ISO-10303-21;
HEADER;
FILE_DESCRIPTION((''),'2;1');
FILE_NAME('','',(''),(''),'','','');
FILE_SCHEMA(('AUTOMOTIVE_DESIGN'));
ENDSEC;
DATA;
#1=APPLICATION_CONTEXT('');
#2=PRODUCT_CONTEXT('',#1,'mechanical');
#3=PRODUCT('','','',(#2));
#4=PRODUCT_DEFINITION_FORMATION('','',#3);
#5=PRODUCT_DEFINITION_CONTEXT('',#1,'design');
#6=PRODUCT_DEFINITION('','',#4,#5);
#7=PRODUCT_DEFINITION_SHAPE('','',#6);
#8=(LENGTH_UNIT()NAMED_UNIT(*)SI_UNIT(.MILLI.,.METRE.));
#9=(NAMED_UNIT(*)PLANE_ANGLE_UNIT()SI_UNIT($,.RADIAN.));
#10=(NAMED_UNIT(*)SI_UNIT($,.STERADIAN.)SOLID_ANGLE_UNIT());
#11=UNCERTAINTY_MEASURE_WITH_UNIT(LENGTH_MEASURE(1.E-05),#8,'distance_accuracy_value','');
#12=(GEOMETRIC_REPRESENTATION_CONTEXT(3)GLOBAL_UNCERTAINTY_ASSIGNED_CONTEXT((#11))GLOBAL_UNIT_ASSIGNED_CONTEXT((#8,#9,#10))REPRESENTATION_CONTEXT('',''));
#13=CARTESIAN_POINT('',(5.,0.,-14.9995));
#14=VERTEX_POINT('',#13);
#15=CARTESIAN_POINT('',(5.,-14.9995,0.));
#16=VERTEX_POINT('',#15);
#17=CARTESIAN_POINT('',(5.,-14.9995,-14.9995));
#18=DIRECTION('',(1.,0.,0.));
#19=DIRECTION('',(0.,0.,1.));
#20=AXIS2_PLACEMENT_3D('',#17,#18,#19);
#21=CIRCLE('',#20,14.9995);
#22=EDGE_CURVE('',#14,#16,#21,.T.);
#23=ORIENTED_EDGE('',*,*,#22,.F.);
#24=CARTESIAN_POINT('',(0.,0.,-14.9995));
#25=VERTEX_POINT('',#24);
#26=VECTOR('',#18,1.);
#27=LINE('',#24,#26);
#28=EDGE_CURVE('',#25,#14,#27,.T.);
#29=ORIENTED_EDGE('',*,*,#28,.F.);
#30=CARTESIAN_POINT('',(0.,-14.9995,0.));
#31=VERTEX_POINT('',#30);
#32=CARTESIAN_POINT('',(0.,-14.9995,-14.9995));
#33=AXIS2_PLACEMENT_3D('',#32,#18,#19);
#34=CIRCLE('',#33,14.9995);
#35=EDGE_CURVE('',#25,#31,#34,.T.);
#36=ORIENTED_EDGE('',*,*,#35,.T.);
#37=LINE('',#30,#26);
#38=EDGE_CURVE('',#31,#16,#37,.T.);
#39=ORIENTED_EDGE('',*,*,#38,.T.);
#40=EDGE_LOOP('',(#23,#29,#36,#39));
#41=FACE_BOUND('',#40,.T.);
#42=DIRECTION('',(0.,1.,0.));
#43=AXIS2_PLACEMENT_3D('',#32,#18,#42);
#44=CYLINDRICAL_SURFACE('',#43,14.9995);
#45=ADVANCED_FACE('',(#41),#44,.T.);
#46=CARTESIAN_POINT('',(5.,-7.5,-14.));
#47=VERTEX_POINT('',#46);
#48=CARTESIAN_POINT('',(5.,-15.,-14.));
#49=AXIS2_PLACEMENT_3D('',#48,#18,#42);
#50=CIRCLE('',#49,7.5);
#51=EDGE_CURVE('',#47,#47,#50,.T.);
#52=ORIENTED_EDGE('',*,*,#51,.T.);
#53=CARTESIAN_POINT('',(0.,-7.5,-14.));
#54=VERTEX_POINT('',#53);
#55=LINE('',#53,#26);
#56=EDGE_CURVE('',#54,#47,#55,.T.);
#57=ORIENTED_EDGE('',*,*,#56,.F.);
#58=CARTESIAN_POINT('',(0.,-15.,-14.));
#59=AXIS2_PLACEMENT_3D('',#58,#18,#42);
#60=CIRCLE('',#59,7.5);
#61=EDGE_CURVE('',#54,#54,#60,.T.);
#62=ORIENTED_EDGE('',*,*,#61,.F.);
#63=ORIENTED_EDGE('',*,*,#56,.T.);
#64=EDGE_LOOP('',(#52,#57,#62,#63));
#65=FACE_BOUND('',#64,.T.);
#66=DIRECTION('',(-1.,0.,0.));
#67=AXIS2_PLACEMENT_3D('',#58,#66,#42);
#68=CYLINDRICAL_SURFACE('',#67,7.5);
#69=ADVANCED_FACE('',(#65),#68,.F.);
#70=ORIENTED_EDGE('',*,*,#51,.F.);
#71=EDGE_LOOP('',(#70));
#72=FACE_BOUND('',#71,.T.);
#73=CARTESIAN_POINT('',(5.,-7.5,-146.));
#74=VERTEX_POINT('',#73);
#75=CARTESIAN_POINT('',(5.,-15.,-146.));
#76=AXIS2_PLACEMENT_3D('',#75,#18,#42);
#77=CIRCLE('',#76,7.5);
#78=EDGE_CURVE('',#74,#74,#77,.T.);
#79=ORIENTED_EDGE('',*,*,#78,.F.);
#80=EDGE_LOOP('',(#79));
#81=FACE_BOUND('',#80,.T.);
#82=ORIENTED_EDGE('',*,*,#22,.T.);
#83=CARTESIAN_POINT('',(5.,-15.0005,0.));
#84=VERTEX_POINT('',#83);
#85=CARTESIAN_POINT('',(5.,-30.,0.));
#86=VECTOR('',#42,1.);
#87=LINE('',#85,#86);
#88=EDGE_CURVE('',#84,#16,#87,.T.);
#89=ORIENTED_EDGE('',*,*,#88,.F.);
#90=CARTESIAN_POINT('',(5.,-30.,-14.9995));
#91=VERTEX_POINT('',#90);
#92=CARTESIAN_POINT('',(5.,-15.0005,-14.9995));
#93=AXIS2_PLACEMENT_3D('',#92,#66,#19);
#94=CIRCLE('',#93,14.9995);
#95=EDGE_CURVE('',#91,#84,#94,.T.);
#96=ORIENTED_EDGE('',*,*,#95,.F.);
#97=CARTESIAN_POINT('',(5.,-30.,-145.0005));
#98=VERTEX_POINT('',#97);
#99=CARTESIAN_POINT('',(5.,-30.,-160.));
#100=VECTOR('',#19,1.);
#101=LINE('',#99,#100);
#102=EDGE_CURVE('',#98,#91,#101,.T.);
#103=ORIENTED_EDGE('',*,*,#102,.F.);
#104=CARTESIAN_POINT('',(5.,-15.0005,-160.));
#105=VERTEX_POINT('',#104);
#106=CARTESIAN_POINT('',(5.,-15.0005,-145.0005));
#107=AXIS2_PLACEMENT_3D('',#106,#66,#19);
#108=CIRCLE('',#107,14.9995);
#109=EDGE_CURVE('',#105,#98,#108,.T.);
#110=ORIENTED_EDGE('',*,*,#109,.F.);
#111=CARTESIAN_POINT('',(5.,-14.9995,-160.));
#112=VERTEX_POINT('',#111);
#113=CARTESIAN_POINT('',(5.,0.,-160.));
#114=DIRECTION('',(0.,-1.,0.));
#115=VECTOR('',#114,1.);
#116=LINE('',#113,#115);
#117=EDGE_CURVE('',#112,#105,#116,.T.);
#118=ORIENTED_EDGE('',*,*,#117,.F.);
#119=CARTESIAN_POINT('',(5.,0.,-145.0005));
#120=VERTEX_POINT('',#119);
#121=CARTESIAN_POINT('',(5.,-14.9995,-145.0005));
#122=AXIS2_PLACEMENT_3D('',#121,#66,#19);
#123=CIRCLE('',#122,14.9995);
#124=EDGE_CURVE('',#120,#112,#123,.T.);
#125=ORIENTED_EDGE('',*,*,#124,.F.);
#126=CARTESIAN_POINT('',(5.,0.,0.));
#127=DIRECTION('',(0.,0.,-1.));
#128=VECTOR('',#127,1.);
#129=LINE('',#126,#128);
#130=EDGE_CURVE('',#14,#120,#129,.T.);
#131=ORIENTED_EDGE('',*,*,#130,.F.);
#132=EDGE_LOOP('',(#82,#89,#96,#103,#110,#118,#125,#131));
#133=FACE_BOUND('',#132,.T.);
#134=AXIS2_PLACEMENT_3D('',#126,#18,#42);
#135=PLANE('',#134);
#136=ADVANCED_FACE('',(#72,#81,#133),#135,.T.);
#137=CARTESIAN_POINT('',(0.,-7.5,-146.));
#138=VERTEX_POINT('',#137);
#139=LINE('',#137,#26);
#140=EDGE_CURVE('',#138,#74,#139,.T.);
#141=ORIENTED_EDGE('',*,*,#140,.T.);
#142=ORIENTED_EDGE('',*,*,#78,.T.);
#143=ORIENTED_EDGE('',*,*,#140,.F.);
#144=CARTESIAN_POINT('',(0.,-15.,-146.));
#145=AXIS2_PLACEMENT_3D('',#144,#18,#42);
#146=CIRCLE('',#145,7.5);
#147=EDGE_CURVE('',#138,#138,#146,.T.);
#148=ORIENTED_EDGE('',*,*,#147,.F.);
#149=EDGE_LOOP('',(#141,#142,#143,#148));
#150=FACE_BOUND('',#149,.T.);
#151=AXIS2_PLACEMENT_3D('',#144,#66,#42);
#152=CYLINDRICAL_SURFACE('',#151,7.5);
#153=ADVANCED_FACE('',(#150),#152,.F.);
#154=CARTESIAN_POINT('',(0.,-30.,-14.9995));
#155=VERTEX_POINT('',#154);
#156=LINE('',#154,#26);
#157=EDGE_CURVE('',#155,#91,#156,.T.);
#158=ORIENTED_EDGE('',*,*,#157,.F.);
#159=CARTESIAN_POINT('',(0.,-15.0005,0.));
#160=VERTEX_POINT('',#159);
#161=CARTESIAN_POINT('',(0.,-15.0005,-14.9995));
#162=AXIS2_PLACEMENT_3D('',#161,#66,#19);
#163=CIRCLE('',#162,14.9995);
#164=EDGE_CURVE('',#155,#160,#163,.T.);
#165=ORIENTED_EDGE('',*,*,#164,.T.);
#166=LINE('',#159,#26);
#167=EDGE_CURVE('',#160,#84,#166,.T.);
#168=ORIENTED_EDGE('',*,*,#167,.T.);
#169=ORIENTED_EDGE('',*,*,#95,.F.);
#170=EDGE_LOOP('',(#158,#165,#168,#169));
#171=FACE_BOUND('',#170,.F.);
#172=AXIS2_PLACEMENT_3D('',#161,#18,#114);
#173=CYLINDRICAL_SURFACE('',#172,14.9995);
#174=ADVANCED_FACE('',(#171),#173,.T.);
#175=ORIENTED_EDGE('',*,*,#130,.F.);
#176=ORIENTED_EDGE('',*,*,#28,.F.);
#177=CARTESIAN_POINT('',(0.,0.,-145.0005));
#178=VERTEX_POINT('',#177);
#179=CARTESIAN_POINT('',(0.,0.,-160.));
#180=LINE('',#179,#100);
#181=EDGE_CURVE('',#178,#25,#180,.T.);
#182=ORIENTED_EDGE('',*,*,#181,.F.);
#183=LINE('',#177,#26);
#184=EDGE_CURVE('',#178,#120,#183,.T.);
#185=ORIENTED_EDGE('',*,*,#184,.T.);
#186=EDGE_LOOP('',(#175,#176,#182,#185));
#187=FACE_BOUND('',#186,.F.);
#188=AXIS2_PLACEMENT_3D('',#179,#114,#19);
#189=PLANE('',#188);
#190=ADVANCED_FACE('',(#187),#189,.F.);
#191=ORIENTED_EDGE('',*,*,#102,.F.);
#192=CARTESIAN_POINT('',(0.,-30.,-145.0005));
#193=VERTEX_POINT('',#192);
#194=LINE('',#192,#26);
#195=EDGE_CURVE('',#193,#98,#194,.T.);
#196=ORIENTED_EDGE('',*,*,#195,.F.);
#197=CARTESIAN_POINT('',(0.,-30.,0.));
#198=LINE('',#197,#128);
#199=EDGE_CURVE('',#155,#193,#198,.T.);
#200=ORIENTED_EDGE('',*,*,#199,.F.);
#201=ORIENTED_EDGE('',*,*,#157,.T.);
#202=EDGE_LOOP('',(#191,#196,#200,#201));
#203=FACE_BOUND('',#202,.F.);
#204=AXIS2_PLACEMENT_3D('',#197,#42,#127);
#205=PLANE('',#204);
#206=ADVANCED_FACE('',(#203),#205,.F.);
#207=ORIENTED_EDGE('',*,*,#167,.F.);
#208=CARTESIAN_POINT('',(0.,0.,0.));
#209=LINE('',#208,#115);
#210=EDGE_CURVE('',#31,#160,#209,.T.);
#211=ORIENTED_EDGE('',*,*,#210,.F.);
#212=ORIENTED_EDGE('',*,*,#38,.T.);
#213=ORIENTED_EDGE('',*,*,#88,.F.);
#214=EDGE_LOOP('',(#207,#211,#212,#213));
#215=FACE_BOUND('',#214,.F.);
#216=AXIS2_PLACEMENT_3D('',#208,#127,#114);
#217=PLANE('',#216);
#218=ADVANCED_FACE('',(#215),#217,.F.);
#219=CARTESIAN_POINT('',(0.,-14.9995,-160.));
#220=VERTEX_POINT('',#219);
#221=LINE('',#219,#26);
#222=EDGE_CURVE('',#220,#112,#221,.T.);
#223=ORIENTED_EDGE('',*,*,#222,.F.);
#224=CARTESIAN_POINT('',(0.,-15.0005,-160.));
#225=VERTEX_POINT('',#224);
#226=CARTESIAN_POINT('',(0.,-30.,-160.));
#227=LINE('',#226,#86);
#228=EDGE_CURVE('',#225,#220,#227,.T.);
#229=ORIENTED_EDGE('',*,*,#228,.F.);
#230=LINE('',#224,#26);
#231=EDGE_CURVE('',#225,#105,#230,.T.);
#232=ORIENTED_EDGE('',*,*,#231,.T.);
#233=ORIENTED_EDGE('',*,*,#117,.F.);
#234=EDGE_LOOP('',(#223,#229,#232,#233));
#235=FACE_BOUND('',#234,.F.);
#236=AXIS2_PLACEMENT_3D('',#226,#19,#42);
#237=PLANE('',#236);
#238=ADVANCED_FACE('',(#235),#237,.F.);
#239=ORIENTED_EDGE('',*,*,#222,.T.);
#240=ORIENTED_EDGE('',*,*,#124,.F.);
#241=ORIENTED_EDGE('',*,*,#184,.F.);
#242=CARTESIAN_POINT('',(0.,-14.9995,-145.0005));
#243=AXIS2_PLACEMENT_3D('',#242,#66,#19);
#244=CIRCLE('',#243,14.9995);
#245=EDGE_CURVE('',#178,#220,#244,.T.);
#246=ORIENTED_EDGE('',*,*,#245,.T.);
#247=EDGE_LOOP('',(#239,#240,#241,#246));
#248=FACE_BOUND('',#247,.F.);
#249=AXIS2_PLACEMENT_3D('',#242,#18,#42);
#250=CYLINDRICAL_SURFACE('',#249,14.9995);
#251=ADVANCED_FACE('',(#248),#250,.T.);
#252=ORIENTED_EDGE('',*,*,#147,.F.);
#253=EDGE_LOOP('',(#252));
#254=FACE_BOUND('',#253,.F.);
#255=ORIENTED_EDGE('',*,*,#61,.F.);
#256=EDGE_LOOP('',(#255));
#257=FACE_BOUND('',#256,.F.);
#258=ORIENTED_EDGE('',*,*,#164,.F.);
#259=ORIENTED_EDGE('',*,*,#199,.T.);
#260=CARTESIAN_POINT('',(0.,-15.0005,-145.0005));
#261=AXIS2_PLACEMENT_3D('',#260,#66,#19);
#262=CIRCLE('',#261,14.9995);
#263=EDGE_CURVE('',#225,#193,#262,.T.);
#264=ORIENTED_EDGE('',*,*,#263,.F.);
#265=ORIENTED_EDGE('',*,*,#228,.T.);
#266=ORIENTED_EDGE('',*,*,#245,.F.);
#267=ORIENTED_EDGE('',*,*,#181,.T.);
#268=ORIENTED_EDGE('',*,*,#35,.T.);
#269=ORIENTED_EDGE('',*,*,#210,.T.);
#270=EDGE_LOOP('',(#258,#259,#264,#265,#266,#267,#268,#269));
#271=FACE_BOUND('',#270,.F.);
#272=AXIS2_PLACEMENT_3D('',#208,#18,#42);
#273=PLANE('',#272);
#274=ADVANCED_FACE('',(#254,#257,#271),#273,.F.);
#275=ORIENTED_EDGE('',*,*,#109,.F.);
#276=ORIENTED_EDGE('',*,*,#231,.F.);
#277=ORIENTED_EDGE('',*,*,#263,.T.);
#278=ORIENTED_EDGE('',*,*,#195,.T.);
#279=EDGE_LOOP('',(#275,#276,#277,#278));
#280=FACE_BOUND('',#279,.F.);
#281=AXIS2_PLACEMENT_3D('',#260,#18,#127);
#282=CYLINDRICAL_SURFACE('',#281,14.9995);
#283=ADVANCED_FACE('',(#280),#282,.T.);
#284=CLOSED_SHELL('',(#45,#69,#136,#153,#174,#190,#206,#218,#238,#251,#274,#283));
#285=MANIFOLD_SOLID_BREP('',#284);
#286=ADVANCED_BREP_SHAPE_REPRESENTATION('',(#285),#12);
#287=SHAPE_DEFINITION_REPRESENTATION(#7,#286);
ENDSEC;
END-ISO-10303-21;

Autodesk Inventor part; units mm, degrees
ref_plane "YZ Plane" through (0, 0, 0) normal (1, 0, 0) x (0, 1, 0)
ref_plane "XZ Plane" through (0, 0, 0) normal (0, 1, 0) x (-1, 0, 0)
ref_plane "XY Plane" through (0, 0, 0) normal (0, 0, 1) x (1, 0, 0)
sketch "Sketch1" plane through (0, 0, 0) normal (1, 0, 0) x (0, 1, 0)
  line L0 (0, 0) -> (-30, 0)
  line L1 (-30, 0) -> (-30, -160)
  line L2 (-30, -160) -> (0, -160)
  line L3 (0, -160) -> (0, 0)
  circle A0 centre (-15, -14) radius 7.5
  circle A1 centre (-15, -146) radius 7.5
  dimension "d0" = 30
  dimension "d1" = 160
  dimension "d3" = 15
  dimension "d5" = 15
extrude "Extrusion1" add sketch "Sketch1" along normal blind 5
sketch "Sketch2" plane through (5, 0, 0) normal (1, 0, 0) x (0, 0, -1)
  circle A0 centre (14, -15) radius 7.5 projected
  arc A1 (14, 0) -> (14, -30) centre (14, -15) ccw
  line L0 (0, -30) -> (160, -30) projected
  circle A2 centre (146, -15) radius 7.5 projected
  arc A3 (146, -30) -> (146, 0) centre (146, -15) ccw
  line L1 (146, -30) -> (161, -30)
  line L2 (161, -30) -> (161, 0)
  line L3 (161, 0) -> (146, 0)
  line L4 (14, 0) -> (-1, 0)
  line L5 (-1, 0) -> (-1, -30)
  line L6 (-1, -30) -> (14, -30)
  point P0 (0, 0)
  point P1 (-1, -15)
  point P2 (161, -15)
extrude "Extrusion2" cut sketch "Sketch2" along normal blind 10 contours A3 L3 L2 | A3 L2 L1 L0 | A1 L0 L6 L5 | A1 L5 L4
fillet "Fillet1" radius 15 4 edges at (2.5, 0, 0) (2.5, -30, 0) (2.5, 0, -160) (2.5, -30, -160)
sketch "Sketch3" plane through (5, 0, 0) normal (1, 0, 0) x (0, 0, -1)
  point P0 (0, 0)
equation "\"BendRadius\" = Thickness"
equation "\"BendReliefWidth\" = Thickness"
equation "\"BendReliefDepth\" = 0.5 * Thickness"
equation "\"CornerReliefSize\" = 4 * Thickness"
equation "\"MinimumRemnant\" = 2 * Thickness"
equation "\"TransitionRadius\" = BendRadius"
equation "\"JacobiRadiusSize\" = BendRadius"
equation "\"GapSize\" = Thickness"
equation "\"Thickness\" = 0.5"
properties part number "Acoplador"
